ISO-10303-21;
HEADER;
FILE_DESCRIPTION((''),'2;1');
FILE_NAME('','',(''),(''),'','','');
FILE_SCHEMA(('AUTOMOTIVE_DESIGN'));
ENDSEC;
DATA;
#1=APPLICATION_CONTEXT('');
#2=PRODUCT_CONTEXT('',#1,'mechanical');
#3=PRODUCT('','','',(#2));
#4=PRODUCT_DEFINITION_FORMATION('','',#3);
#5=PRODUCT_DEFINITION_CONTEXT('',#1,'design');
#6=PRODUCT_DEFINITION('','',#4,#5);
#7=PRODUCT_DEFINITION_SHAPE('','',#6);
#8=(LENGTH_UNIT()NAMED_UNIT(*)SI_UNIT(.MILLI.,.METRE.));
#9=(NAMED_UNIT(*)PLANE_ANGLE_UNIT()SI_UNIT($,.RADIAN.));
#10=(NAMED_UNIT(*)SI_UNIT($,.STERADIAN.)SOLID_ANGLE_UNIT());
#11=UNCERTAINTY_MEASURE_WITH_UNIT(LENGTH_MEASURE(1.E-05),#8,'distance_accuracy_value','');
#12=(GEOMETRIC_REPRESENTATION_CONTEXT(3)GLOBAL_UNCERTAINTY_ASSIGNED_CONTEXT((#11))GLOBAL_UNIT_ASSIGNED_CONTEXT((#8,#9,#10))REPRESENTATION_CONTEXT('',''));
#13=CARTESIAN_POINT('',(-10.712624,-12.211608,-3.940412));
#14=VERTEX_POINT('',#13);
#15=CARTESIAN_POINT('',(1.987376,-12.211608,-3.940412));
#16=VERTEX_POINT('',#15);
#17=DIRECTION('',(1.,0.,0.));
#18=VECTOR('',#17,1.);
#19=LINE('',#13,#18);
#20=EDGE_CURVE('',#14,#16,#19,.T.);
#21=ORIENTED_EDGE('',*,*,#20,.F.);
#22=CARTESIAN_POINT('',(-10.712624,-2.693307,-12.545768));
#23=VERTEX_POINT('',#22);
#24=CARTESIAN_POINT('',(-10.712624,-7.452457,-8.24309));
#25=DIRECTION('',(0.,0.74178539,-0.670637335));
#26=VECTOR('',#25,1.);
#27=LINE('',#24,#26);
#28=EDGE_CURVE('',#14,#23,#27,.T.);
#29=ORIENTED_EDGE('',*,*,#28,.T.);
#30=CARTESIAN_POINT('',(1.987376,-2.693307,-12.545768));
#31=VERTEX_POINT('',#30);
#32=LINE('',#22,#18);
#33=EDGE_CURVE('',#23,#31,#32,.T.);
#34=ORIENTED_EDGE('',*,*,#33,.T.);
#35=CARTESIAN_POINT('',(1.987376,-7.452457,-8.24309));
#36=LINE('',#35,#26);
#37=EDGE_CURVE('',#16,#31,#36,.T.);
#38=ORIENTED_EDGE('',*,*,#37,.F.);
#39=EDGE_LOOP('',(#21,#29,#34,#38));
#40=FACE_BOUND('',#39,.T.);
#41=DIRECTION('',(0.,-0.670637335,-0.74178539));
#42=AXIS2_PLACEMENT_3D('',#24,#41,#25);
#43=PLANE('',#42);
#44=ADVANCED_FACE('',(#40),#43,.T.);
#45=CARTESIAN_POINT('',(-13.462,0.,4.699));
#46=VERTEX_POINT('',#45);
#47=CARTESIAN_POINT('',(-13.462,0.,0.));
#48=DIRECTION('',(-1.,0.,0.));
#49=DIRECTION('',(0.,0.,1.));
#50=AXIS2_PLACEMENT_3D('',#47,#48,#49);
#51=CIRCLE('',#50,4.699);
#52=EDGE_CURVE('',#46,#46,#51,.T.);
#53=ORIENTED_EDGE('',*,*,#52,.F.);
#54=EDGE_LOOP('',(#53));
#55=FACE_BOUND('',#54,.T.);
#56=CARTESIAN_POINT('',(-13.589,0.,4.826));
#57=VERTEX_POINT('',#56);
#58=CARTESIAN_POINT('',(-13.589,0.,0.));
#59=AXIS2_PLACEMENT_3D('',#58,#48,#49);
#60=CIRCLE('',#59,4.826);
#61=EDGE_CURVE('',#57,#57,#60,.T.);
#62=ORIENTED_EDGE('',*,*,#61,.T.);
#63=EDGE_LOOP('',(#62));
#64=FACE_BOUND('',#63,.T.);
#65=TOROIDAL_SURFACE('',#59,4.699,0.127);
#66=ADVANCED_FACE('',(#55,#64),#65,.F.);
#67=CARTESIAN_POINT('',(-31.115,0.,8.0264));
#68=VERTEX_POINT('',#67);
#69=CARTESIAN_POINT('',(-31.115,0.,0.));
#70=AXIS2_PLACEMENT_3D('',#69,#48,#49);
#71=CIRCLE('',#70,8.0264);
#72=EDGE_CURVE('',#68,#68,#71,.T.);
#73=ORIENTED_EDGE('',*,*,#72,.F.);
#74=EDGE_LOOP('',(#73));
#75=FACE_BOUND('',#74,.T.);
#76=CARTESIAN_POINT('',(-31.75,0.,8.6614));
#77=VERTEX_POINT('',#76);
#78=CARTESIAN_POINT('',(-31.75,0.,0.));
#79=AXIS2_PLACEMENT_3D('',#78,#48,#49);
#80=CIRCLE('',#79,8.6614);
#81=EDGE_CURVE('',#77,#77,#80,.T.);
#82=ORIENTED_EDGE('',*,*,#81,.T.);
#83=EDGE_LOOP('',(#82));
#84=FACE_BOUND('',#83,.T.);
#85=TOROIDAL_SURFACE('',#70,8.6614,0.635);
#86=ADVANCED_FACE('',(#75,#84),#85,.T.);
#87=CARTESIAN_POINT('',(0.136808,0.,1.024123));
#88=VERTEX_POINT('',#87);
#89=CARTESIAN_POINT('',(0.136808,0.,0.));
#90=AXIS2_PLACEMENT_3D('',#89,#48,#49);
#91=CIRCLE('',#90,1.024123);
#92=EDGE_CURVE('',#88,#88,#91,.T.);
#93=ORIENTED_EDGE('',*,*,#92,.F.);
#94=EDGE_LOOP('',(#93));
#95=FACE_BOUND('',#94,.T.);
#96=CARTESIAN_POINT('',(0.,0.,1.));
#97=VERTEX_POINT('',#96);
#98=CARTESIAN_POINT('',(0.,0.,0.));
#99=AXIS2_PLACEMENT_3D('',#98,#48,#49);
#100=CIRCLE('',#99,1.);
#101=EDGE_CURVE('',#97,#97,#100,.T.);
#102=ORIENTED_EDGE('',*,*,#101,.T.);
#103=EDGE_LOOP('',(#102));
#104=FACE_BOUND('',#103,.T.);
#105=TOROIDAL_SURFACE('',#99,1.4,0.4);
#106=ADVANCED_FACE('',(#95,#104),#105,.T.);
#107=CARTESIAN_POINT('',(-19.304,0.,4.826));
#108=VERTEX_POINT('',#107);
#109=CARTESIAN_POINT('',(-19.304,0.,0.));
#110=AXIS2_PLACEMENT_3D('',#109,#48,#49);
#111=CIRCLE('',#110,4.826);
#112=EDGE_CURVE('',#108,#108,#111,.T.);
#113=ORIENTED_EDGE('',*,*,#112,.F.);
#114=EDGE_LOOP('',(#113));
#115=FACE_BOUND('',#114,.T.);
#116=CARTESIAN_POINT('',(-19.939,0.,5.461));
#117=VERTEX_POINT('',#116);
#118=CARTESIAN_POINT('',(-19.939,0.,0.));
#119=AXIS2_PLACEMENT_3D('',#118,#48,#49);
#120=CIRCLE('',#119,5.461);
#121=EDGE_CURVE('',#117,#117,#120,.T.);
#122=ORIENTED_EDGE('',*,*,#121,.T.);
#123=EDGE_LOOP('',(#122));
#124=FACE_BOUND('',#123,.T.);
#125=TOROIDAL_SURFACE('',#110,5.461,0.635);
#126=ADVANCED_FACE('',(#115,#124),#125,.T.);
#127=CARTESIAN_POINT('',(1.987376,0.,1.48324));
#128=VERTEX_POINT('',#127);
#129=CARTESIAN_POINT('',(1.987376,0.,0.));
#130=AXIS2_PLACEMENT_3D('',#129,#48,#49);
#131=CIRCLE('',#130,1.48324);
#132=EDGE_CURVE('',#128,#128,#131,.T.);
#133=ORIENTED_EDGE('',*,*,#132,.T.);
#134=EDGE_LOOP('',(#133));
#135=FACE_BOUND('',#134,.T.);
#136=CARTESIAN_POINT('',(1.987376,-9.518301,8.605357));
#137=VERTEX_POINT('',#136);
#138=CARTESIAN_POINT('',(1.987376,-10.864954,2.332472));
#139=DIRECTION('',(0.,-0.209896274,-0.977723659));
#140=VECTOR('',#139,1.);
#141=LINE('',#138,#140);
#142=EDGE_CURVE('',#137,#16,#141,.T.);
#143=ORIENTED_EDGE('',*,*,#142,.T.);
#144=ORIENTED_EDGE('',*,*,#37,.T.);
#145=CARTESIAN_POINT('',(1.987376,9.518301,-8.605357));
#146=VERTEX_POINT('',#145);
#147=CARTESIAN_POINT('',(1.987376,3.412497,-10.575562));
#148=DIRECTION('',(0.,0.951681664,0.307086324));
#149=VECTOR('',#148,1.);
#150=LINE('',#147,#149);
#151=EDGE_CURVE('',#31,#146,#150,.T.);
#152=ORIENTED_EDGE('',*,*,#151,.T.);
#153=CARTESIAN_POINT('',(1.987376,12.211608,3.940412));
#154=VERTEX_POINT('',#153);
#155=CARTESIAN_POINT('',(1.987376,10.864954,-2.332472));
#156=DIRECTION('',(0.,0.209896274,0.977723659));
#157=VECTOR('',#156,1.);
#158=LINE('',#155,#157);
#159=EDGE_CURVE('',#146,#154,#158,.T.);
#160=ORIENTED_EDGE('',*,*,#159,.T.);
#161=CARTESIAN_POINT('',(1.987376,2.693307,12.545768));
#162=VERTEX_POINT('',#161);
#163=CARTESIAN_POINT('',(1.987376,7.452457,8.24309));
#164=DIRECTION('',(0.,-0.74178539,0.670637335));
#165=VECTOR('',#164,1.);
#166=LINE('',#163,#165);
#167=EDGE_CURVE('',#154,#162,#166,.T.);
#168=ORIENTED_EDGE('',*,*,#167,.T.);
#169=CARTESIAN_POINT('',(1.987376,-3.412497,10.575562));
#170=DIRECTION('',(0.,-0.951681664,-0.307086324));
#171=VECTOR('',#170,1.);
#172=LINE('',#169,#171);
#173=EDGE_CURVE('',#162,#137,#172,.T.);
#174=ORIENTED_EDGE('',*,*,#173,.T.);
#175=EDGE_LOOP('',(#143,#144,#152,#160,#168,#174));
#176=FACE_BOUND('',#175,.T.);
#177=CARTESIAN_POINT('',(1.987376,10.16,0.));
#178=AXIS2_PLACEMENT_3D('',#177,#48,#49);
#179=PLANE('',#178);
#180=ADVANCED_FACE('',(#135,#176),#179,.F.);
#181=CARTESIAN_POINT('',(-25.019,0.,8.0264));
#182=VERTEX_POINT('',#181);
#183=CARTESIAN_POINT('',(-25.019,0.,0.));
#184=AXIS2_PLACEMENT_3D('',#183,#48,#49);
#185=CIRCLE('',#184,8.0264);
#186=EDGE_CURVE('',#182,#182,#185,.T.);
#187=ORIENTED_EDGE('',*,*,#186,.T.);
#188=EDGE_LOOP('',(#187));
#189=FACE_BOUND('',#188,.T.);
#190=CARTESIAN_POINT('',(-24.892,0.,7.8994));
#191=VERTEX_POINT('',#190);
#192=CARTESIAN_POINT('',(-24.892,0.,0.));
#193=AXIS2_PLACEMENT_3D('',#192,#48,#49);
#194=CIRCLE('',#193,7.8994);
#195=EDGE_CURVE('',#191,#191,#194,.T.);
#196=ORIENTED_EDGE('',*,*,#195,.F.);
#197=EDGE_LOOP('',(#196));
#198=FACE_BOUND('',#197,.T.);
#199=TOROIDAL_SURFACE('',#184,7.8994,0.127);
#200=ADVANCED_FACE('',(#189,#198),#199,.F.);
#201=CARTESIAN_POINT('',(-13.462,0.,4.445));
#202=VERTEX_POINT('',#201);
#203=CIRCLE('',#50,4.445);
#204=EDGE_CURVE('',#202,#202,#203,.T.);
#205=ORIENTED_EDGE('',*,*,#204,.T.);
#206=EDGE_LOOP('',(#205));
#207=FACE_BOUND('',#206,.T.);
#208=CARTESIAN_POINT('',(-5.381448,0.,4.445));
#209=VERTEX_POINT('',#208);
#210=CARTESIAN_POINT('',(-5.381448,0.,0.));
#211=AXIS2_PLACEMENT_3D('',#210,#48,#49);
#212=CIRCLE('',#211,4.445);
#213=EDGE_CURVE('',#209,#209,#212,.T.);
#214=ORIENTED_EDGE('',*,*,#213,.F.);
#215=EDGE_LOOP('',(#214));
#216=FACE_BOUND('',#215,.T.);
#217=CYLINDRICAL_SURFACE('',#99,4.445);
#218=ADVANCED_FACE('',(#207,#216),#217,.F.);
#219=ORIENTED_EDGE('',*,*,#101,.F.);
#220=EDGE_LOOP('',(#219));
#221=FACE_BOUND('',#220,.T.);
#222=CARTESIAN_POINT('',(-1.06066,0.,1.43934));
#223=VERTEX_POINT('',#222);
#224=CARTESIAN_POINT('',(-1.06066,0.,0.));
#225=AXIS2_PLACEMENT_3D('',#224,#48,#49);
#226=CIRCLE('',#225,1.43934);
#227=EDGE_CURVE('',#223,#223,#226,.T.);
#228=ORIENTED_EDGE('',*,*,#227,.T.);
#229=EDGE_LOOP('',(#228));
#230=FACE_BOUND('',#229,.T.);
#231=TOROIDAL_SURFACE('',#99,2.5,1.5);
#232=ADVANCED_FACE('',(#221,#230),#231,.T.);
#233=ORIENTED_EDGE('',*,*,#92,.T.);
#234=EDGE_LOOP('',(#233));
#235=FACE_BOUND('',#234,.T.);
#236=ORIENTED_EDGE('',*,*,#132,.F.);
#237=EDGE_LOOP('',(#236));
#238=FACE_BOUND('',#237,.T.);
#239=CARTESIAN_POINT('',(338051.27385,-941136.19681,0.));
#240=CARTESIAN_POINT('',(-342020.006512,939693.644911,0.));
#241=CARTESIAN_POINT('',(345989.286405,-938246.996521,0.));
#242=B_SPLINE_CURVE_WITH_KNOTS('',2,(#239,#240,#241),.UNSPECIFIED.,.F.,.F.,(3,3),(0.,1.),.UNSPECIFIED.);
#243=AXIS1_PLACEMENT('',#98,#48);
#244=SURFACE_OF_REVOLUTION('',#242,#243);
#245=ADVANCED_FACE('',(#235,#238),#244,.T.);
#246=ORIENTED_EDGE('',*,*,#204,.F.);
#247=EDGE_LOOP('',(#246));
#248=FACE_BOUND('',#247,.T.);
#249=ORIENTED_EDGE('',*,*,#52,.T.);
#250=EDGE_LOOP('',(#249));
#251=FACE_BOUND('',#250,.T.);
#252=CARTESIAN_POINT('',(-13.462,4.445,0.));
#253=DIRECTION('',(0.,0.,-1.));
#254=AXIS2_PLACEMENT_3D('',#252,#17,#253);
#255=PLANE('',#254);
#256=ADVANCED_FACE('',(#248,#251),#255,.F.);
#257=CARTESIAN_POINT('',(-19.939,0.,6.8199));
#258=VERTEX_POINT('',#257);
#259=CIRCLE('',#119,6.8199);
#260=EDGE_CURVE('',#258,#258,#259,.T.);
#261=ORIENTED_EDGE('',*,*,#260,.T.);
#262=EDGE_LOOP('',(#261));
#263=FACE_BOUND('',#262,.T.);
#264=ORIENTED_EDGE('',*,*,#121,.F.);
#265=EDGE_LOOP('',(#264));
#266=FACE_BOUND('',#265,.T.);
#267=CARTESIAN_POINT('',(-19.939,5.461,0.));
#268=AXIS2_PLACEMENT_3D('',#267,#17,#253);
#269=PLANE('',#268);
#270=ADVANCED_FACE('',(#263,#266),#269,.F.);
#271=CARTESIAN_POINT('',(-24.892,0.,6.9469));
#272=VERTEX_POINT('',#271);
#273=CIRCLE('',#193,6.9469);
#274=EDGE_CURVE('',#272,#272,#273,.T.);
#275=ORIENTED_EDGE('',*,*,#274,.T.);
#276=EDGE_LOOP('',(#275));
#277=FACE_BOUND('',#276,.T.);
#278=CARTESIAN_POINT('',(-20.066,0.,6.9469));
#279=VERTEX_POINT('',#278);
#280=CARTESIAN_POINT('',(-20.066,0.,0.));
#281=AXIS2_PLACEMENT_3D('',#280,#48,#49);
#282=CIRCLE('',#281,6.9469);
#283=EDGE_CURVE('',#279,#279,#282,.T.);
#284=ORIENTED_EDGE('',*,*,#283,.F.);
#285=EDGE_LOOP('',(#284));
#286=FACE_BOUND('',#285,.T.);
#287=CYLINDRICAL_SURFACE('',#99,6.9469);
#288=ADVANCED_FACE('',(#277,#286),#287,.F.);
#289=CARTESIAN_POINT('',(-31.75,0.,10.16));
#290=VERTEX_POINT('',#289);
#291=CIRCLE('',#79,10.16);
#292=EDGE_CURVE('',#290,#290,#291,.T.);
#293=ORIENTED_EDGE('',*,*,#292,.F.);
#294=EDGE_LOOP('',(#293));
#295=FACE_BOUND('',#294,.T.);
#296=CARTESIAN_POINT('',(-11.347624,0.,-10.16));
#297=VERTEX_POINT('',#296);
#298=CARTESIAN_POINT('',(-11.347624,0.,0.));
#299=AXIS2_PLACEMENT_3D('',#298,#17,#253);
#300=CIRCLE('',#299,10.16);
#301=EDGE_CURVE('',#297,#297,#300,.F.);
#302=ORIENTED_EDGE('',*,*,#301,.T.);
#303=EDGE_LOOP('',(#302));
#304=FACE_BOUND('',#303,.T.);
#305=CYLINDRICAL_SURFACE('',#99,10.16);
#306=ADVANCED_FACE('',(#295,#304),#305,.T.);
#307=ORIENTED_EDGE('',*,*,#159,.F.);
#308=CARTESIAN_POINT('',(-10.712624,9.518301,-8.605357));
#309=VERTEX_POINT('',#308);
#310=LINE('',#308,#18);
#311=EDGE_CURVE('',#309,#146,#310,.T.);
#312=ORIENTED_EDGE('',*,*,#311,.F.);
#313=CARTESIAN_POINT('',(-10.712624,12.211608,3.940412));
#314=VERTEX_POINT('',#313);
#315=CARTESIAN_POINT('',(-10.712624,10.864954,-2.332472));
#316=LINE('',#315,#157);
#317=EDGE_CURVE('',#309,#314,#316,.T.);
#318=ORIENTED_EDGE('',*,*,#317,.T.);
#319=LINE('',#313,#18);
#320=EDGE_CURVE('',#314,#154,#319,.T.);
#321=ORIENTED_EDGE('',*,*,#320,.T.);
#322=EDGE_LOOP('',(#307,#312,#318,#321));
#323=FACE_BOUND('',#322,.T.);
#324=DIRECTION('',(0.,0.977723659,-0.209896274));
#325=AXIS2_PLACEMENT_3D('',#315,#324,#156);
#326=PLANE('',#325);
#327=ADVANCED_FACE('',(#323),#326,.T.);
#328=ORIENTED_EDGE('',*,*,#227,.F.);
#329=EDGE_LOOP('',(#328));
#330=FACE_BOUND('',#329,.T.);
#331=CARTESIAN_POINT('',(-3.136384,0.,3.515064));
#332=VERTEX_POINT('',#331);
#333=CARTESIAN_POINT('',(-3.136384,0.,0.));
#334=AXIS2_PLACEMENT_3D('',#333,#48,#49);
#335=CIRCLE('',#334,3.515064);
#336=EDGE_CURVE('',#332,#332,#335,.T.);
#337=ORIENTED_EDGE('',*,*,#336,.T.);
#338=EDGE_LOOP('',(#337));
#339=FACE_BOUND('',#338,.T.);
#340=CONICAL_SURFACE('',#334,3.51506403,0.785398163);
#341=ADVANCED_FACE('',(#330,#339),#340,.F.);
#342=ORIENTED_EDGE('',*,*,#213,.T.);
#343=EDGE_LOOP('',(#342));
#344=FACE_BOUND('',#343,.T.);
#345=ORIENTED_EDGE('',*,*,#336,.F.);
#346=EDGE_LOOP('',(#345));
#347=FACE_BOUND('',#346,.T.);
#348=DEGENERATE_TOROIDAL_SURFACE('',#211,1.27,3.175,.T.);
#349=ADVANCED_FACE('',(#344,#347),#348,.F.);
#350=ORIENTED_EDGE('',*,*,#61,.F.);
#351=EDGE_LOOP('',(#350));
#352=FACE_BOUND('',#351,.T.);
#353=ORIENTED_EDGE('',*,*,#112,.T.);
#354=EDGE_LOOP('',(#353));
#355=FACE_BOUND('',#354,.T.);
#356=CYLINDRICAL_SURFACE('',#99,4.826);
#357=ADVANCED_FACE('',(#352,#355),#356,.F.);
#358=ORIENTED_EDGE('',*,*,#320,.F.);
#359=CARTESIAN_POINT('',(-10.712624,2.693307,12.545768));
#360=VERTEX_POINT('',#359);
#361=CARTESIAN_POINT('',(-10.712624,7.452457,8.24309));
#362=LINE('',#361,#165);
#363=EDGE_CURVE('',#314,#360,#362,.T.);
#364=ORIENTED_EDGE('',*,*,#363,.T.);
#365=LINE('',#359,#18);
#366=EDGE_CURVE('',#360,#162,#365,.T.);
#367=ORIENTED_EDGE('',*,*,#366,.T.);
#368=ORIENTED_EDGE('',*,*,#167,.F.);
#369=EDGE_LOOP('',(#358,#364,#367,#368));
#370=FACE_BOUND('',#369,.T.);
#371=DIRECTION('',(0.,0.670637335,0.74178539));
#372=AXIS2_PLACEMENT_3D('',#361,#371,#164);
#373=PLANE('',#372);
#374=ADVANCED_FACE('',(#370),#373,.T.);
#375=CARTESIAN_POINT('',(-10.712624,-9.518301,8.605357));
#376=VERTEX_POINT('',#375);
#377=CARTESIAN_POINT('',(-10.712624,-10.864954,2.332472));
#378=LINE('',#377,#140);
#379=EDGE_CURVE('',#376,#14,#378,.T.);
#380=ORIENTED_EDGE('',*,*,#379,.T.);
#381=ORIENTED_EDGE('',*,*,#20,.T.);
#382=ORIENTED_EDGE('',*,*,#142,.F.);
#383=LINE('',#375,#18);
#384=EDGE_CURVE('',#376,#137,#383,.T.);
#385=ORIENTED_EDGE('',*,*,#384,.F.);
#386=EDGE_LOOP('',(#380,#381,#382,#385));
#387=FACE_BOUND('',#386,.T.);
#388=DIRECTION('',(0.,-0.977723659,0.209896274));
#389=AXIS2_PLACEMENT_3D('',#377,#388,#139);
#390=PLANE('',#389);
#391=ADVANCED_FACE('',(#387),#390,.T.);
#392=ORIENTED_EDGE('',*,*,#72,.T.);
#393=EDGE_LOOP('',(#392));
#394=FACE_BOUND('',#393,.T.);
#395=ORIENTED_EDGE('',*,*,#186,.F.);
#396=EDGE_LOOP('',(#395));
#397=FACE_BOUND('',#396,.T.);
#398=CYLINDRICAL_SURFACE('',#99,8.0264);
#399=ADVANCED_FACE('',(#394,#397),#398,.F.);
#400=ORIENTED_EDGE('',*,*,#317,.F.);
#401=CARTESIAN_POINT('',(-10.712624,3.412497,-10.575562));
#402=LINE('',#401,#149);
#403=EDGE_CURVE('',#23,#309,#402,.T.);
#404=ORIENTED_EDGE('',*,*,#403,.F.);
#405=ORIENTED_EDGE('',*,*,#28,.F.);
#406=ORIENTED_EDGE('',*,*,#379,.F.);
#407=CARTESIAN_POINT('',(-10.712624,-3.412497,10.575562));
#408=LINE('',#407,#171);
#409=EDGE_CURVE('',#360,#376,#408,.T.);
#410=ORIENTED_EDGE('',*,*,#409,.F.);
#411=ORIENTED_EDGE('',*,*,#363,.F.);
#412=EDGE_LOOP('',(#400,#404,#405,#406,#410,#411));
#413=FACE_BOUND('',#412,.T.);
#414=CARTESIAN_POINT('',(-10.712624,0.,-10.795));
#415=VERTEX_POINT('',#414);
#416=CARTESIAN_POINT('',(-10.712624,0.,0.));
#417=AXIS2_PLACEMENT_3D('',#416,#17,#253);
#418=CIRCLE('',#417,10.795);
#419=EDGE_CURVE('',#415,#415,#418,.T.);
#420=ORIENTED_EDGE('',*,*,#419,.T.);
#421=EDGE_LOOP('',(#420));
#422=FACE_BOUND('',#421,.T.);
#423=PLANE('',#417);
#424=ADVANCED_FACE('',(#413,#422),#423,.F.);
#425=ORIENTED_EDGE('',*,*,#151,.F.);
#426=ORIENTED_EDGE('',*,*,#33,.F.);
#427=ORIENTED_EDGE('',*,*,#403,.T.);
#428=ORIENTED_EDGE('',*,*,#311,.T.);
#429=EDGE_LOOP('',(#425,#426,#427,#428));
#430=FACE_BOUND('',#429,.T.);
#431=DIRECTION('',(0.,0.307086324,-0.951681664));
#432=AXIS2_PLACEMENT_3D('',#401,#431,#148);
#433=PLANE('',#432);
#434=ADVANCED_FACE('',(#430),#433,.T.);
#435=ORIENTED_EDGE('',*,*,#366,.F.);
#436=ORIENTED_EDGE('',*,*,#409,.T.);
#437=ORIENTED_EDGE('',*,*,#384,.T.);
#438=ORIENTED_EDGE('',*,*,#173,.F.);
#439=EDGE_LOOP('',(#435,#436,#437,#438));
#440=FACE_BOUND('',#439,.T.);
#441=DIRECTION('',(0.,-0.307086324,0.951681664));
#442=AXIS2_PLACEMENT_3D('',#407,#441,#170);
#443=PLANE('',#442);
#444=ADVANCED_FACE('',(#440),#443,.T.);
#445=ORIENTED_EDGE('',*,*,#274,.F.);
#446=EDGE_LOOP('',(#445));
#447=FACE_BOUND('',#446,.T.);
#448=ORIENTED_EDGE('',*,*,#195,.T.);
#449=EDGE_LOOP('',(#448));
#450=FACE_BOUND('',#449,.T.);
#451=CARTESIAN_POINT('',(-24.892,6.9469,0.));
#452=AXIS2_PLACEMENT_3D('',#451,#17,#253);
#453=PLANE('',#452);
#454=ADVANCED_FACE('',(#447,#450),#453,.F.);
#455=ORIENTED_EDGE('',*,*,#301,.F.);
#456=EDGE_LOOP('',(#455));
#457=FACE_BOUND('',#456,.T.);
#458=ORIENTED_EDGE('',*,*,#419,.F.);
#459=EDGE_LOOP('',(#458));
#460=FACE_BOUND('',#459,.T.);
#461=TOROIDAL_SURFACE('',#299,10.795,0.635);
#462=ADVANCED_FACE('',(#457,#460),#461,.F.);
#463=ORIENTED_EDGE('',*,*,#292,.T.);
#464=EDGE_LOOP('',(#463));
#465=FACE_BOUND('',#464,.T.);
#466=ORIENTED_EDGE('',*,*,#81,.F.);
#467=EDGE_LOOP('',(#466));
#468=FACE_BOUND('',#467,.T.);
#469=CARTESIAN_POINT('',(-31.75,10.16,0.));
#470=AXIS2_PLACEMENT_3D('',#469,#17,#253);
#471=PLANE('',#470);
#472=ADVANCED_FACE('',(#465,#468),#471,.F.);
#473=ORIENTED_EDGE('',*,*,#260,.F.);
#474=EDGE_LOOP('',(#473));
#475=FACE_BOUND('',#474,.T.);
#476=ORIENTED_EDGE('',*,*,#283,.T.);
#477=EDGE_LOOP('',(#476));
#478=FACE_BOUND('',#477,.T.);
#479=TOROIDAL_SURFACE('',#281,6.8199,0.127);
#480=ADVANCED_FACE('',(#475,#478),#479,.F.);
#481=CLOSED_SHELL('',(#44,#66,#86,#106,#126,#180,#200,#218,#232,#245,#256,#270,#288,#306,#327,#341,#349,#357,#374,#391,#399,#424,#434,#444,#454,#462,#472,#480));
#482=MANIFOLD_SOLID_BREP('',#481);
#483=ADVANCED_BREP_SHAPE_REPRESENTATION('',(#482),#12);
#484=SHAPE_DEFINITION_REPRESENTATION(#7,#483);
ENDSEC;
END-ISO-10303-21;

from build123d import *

# Parameters (mm, degrees)
SKETCH4_R           = 10.16
BOSS_EXTRUDE1_DEPTH = 12.7
FILLET1_R           = 0.635


with BuildPart() as part:
    # Sketch1 → Revolve1 (revolve)
    with BuildSketch(Plane.XY, mode=Mode.PRIVATE) as revolve1_sk:
        with BuildLine():
            Line((-1.060660172, 1.439339828), (-3.136384374, 3.51506403))
            ThreePointArc((-3.136384374, 3.51506403), (-4.166428506, 4.203317516), (-5.381448404, 4.445))
            Line((-5.381448404, 4.445), (-13.462, 4.445))
            Line((-13.462, 4.445), (-13.462, 4.699))
            ThreePointArc((-13.462, 4.699), (-13.499197439, 4.788802561), (-13.589, 4.826))
            Line((-13.589, 4.826), (-19.304, 4.826))
            ThreePointArc((-19.304, 4.826), (-19.753012806, 5.011987194), (-19.939, 5.461))
            Line((-19.939, 5.461), (-19.939, 6.8199))
            ThreePointArc((-19.939, 6.8199), (-19.976197439, 6.909702561), (-20.066, 6.9469))
            Line((-20.066, 6.9469), (-24.892, 6.9469))
            Line((-24.892, 6.9469), (-24.892, 7.8994))
            ThreePointArc((-24.892, 7.8994), (-24.929197439, 7.989202561), (-25.019, 8.0264))
            Line((-25.019, 8.0264), (-31.115, 8.0264))
            ThreePointArc((-31.115, 8.0264), (-31.564012806, 8.212387194), (-31.75, 8.6614))
            Line((-31.75, 8.6614), (-31.75, 10.16))
            Line((-31.75, 10.16), (-10.712624421, 10.16))
            Line((-10.712624421, 10.16), (1.987375579, 10.16))
            Line((1.987375579, 10.16), (1.987375579, 1.483239697))
            add(Edge.make_bspline(
                [(1.987375579, 1.483239697), (1.027632818, 1.348356649), (0.136808057, 1.024122952)],
                knots=[0, 0, 0, 1, 1, 1], degree=2))
            ThreePointArc((0.136808057, 1.024122952), (0.069459271, 1.006076899), (0, 1))
            ThreePointArc((0, 1), (-0.574025149, 1.114180701), (-1.060660172, 1.439339828))
        make_face()
    revolve(revolve1_sk.sketch.rotate(Axis((0, 0, 0), (1, 0, 0)), 90), axis=Axis((0, 0, 0), (1, 0, 0)))

    # Sketch4 → Boss-Extrude1 (add)
    with BuildSketch(Plane(origin=(1.987375579, 0, 0), x_dir=(0, 0, -1), z_dir=(1, 0, 0))):
        Polygon((3.940411868, -12.211607701), (12.545768424, -2.693307071), (8.605356556, 9.51830063), (-3.940411868, 12.211607701), (-12.545768424, 2.693307071), (-8.605356556, -9.51830063), align=None)
        with Locations(Location((0, 0, 0), (0, 0, 180))):
            Circle(SKETCH4_R, mode=Mode.SUBTRACT)
    extrude(amount=-BOSS_EXTRUDE1_DEPTH)

    # Fillet1
    fillet1_edges = [part.edges().sort_by_distance(p)[0] for p in [
        (-10.712624421, 0, -10.16),
    ]]
    fillet(fillet1_edges, radius=FILLET1_R)


solid = part.part
